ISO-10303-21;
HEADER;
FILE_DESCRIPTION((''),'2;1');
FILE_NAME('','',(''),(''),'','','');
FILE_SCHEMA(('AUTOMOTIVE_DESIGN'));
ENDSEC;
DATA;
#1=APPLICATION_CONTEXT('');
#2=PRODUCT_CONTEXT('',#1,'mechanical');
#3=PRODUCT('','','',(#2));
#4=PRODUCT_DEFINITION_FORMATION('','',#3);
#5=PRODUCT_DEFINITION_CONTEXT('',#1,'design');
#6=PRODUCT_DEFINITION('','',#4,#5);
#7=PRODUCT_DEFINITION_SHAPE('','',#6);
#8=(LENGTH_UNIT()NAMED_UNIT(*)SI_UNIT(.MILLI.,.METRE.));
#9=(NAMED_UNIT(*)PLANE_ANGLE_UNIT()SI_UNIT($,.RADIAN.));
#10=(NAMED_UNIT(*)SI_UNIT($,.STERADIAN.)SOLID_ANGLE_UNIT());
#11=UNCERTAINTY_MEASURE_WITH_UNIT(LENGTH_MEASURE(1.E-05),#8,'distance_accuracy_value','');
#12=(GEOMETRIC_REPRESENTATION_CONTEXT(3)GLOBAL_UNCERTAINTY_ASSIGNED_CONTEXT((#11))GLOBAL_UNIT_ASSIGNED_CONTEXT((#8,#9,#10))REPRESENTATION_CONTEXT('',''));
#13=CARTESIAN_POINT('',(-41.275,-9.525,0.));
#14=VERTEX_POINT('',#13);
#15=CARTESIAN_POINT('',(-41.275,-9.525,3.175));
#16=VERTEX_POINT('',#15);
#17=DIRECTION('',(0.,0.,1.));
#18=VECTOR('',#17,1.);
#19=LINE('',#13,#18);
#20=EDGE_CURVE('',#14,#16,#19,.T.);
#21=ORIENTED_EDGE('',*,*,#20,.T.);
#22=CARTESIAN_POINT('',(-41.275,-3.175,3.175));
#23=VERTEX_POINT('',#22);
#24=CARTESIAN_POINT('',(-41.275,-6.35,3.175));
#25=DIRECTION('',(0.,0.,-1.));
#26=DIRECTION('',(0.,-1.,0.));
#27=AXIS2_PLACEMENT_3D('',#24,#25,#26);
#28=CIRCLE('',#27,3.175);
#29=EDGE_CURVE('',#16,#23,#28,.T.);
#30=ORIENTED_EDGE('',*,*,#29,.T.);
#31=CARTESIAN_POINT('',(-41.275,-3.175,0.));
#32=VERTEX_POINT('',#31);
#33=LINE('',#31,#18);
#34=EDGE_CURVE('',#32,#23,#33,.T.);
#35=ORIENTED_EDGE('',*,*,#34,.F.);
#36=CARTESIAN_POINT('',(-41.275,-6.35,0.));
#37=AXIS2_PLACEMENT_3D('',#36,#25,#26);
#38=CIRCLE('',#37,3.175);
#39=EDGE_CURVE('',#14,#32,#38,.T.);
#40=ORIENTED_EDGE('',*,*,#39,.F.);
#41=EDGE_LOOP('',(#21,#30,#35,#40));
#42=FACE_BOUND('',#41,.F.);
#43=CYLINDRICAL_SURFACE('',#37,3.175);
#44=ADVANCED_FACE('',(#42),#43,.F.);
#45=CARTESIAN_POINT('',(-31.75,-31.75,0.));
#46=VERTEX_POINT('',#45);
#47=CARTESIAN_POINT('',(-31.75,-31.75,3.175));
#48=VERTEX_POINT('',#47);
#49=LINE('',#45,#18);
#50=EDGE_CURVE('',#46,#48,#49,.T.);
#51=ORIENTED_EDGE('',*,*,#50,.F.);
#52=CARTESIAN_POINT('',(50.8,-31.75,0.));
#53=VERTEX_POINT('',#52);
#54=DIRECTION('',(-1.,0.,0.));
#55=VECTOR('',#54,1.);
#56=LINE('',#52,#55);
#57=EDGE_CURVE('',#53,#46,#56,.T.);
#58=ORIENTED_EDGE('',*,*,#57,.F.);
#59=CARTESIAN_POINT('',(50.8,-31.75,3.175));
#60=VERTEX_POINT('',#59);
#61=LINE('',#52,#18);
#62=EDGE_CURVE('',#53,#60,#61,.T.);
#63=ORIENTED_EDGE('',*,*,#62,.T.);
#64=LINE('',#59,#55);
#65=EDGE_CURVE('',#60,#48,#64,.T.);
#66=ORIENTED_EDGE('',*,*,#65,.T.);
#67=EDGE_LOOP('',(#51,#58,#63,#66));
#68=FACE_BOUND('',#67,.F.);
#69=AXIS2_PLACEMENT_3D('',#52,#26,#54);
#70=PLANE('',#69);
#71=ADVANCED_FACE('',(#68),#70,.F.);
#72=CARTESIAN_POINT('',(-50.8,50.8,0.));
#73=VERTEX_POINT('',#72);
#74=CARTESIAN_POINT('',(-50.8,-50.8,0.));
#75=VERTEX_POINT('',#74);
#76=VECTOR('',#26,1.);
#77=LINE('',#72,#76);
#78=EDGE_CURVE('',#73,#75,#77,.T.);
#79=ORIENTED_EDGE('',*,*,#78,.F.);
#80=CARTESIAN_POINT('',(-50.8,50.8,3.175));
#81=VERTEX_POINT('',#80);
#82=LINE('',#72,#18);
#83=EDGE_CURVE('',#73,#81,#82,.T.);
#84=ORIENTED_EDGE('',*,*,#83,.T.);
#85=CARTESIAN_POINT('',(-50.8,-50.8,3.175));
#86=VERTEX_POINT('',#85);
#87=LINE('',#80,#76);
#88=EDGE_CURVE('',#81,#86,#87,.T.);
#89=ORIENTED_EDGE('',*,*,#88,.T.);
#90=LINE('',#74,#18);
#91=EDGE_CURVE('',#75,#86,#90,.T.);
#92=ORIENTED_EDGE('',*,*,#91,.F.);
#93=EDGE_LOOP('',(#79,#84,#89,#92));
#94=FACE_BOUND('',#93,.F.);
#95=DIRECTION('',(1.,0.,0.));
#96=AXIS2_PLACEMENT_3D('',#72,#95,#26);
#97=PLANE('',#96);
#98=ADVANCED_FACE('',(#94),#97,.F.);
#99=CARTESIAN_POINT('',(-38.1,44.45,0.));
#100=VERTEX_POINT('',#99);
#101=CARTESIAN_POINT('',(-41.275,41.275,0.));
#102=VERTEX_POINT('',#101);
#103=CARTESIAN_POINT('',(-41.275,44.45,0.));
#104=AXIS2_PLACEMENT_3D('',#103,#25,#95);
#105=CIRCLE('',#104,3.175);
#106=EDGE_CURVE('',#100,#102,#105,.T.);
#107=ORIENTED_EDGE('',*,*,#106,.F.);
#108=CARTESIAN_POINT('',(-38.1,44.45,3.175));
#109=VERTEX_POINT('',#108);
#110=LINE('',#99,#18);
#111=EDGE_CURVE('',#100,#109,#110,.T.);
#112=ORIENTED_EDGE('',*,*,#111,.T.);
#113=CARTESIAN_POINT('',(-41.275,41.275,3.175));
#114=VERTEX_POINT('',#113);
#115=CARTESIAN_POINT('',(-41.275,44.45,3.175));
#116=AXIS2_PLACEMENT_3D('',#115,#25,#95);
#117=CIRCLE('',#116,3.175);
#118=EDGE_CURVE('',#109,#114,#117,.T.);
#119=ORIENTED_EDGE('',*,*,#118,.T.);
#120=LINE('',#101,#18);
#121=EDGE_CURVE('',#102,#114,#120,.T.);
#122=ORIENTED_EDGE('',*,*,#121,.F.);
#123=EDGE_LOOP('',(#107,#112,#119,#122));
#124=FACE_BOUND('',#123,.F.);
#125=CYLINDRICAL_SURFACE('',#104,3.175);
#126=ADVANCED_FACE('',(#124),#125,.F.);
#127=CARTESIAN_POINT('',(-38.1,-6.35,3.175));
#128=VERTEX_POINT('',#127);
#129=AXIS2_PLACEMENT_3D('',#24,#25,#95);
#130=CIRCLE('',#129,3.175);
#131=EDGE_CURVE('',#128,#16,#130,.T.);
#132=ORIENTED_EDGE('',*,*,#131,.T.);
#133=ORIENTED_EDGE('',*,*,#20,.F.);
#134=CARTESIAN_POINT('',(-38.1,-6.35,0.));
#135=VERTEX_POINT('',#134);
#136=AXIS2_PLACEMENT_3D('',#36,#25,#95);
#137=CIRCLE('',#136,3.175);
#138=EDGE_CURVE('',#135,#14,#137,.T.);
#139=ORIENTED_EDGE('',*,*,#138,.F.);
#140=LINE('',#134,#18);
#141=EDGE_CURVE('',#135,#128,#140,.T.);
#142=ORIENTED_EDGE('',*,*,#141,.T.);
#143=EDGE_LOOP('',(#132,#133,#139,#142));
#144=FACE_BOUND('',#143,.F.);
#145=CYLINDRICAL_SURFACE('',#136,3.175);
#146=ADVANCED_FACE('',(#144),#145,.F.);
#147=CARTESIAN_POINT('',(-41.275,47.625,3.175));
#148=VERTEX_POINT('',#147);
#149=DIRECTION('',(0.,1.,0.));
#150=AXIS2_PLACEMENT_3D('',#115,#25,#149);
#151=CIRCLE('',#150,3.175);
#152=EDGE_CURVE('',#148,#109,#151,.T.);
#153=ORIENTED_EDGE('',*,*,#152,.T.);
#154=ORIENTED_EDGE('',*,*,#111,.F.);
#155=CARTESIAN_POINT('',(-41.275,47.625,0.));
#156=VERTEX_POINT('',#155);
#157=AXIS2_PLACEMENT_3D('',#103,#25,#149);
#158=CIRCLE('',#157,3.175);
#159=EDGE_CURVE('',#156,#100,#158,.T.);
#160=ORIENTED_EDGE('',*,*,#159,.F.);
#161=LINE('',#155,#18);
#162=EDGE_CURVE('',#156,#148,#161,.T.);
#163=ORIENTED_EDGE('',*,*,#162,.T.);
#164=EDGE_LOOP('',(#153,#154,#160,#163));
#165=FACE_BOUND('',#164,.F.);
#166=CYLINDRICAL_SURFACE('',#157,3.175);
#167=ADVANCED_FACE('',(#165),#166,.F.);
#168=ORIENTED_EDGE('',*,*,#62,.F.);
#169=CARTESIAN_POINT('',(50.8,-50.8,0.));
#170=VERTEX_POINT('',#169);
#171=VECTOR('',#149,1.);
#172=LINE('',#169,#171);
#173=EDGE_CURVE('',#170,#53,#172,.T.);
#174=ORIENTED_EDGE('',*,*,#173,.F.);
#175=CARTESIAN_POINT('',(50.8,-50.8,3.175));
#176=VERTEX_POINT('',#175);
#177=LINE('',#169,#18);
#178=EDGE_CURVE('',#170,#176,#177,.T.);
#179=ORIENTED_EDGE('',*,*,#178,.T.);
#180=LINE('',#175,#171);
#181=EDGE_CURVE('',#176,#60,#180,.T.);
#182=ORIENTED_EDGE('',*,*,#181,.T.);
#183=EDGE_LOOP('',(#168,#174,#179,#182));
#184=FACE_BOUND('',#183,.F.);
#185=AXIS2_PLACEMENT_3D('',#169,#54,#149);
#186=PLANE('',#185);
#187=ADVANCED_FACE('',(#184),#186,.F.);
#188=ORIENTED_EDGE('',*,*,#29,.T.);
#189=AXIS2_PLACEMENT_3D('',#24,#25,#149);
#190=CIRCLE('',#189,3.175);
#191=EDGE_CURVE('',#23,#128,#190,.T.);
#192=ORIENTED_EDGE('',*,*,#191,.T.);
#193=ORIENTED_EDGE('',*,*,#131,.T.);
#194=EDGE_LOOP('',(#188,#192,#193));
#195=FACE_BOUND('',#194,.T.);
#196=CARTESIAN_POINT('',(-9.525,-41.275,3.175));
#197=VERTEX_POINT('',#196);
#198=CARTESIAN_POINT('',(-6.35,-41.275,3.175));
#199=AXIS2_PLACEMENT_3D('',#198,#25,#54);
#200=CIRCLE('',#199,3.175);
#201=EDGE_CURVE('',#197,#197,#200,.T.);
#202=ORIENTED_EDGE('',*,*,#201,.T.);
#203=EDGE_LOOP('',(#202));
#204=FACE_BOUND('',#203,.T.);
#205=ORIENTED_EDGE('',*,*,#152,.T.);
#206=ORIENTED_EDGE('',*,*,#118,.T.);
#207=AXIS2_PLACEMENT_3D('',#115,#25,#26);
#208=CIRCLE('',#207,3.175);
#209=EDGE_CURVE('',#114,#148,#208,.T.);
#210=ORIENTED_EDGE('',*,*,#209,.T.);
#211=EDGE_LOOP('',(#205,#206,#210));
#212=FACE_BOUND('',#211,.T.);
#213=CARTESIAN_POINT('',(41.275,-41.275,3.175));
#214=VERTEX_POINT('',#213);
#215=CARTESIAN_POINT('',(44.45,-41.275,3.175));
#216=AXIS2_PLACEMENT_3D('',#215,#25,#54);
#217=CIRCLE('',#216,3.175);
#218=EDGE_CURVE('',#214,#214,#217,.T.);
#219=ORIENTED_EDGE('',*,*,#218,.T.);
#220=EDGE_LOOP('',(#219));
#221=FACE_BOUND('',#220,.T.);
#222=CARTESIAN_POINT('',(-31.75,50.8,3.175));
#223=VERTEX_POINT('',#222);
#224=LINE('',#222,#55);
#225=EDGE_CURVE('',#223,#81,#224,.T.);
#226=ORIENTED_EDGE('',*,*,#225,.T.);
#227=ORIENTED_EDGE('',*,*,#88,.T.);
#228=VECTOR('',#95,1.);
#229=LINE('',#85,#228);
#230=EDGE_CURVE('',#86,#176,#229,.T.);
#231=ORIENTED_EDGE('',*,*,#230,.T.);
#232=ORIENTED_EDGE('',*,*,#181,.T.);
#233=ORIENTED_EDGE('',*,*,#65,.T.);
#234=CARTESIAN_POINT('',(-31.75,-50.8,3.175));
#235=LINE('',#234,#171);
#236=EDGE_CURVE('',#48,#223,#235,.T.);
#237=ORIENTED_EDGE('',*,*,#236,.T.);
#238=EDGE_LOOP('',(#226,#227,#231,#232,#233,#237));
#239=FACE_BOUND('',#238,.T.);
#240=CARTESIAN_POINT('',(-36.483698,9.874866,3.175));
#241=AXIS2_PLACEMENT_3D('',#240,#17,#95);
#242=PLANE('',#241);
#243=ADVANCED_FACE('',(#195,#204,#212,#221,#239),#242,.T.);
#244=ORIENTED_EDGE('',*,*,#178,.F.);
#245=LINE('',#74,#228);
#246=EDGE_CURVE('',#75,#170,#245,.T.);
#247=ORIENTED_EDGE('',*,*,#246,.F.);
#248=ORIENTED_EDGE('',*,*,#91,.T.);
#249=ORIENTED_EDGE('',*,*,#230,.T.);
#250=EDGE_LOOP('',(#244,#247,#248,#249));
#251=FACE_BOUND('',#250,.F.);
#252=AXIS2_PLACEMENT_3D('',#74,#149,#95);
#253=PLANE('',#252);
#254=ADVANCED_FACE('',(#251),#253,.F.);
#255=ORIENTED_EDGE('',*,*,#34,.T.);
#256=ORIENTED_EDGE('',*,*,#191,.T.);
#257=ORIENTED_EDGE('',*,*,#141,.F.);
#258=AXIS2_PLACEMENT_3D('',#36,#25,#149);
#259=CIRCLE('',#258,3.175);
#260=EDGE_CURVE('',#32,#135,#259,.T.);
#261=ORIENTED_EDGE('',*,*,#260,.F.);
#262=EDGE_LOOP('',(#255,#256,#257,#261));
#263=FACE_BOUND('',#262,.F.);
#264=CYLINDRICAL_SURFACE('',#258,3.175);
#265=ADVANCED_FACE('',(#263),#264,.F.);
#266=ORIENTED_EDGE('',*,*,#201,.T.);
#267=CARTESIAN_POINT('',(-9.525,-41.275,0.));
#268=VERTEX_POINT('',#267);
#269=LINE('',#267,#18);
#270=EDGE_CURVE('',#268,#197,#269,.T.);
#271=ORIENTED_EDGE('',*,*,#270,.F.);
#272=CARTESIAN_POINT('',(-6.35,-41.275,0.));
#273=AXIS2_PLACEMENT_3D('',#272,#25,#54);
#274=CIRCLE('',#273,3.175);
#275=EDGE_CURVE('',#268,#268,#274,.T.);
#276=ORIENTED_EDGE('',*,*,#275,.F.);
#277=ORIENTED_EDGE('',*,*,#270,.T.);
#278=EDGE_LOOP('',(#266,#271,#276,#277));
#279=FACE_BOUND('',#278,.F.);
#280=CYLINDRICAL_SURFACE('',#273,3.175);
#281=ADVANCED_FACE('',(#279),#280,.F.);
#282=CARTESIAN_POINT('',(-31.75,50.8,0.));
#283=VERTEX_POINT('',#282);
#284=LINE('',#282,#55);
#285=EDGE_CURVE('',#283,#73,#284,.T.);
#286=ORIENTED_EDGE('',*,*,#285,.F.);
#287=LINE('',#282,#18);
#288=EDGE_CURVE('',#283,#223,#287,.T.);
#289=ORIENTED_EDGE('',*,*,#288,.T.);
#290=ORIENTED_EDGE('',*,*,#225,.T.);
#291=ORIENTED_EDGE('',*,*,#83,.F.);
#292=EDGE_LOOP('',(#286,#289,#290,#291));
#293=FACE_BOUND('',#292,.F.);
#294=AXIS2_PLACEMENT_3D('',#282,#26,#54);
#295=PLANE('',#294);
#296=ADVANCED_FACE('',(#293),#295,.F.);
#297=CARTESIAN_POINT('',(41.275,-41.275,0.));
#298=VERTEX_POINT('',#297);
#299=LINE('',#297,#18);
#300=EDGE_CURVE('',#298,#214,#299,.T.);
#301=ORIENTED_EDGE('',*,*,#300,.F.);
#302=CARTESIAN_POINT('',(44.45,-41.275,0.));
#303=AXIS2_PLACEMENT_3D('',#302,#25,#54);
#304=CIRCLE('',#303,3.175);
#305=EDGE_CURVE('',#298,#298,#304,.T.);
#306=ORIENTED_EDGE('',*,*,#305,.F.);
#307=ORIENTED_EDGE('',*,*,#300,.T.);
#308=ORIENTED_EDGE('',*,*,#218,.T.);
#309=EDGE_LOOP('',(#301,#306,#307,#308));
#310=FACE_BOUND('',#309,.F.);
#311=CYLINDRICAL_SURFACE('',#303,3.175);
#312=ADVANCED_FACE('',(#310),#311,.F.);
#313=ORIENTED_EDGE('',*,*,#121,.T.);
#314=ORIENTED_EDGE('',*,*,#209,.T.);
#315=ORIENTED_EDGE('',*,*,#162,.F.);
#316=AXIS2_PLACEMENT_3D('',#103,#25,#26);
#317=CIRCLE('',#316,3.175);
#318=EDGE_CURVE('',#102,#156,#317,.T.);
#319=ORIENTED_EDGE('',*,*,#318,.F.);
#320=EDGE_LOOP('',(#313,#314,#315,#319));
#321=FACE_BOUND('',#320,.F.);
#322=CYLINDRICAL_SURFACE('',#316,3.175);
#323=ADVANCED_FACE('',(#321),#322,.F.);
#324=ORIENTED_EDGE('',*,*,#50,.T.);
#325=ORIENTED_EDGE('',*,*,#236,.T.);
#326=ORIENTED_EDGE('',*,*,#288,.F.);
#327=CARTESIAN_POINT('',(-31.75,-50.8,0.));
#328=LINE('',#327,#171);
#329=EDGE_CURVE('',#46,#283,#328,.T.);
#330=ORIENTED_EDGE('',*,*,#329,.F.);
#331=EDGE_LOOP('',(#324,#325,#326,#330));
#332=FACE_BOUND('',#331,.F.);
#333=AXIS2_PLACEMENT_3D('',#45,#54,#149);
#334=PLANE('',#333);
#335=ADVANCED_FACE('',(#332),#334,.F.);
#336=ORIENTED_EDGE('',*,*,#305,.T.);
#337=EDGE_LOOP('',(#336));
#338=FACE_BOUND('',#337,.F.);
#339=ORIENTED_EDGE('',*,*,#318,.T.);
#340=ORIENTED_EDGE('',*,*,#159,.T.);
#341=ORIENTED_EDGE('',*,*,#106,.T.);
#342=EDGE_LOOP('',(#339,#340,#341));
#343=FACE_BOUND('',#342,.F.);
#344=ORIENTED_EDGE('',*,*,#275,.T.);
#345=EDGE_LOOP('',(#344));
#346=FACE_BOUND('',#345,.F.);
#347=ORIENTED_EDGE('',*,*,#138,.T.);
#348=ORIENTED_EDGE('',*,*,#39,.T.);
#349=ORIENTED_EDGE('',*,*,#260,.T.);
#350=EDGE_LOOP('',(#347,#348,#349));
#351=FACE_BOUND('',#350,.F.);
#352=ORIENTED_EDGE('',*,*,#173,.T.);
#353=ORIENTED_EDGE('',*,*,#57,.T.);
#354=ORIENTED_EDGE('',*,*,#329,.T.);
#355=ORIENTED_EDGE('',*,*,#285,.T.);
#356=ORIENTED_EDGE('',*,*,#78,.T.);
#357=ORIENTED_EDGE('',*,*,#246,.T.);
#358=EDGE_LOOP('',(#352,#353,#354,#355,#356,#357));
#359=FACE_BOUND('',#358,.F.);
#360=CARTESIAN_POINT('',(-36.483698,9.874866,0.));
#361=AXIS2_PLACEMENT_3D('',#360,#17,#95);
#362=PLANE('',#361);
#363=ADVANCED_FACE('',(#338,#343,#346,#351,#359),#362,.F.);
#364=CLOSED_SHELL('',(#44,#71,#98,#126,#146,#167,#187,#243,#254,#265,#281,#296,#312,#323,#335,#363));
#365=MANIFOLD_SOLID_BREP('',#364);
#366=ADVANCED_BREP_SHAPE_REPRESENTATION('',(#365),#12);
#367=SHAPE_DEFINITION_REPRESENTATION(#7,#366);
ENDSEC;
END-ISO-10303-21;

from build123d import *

# Parameters (mm, degrees)
F0_W     = 9.525
F0_H     = 9.525
F1_DEPTH = 3.175


with BuildPart() as f1:
    # F0 (on Top) → F1 (new body)
    with BuildSketch(Plane.XY):
        with BuildLine():
            Line((-31.75, 50.8), (-41.275, 50.8))
            Line((-41.275, 50.8), (-41.275, 47.625))
            ThreePointArc((-41.275, 47.625), (-39.0299359697, 46.6950640303), (-38.1, 44.45))
            ThreePointArc((-38.1, 44.45), (-39.0299359697, 42.2049359697), (-41.275, 41.275))
            Line((-41.275, 41.275), (-41.275, -3.175))
            ThreePointArc((-41.275, -3.175), (-39.0299359697, -4.1049359697), (-38.1, -6.35))
            ThreePointArc((-38.1, -6.35), (-39.0299359697, -8.5950640303), (-41.275, -9.525))
            Line((-41.275, -9.525), (-41.275, -31.75))
            Line((-41.275, -31.75), (-31.75, -31.75))
            Line((-31.75, -31.75), (-31.75, 50.8))
        make_face()
        with BuildLine():
            Line((-41.275, 50.8), (-50.8, 50.8))
            Line((-50.8, 50.8), (-50.8, -31.75))
            Line((-50.8, -31.75), (-41.275, -31.75))
            Line((-41.275, -31.75), (-41.275, -9.525))
            ThreePointArc((-41.275, -9.525), (-44.45, -6.35), (-41.275, -3.175))
            Line((-41.275, -3.175), (-41.275, 41.275))
            ThreePointArc((-41.275, 41.275), (-44.45, 44.45), (-41.275, 47.625))
            Line((-41.275, 47.625), (-41.275, 50.8))
        make_face()
        with Locations((-36.5125, -36.5125)):
            Rectangle(F0_W, F0_H)
        with Locations((-46.0375, -36.5125)):
            Rectangle(F0_W, F0_H)
        with Locations((-46.0375, -46.0375)):
            Rectangle(F0_W, F0_H)
        with Locations((-36.5125, -46.0375)):
            Rectangle(F0_W, F0_H)
        with BuildLine():
            Line((-9.525, -41.275), (-31.75, -41.275))
            Line((-31.75, -41.275), (-31.75, -50.8))
            Line((-31.75, -50.8), (50.8, -50.8))
            Line((50.8, -50.8), (50.8, -41.275))
            Line((50.8, -41.275), (47.625, -41.275))
            ThreePointArc((47.625, -41.275), (44.45, -44.45), (41.275, -41.275))
            Line((41.275, -41.275), (-3.175, -41.275))
            ThreePointArc((-3.175, -41.275), (-6.35, -44.45), (-9.525, -41.275))
        make_face()
        with BuildLine():
            Line((50.8, -31.75), (-31.75, -31.75))
            Line((-31.75, -31.75), (-31.75, -41.275))
            Line((-31.75, -41.275), (-9.525, -41.275))
            ThreePointArc((-9.525, -41.275), (-6.35, -38.1), (-3.175, -41.275))
            Line((-3.175, -41.275), (41.275, -41.275))
            ThreePointArc((41.275, -41.275), (44.45, -38.1), (47.625, -41.275))
            Line((47.625, -41.275), (50.8, -41.275))
            Line((50.8, -41.275), (50.8, -31.75))
        make_face()
    extrude(amount=F1_DEPTH)


solid = f1.part
